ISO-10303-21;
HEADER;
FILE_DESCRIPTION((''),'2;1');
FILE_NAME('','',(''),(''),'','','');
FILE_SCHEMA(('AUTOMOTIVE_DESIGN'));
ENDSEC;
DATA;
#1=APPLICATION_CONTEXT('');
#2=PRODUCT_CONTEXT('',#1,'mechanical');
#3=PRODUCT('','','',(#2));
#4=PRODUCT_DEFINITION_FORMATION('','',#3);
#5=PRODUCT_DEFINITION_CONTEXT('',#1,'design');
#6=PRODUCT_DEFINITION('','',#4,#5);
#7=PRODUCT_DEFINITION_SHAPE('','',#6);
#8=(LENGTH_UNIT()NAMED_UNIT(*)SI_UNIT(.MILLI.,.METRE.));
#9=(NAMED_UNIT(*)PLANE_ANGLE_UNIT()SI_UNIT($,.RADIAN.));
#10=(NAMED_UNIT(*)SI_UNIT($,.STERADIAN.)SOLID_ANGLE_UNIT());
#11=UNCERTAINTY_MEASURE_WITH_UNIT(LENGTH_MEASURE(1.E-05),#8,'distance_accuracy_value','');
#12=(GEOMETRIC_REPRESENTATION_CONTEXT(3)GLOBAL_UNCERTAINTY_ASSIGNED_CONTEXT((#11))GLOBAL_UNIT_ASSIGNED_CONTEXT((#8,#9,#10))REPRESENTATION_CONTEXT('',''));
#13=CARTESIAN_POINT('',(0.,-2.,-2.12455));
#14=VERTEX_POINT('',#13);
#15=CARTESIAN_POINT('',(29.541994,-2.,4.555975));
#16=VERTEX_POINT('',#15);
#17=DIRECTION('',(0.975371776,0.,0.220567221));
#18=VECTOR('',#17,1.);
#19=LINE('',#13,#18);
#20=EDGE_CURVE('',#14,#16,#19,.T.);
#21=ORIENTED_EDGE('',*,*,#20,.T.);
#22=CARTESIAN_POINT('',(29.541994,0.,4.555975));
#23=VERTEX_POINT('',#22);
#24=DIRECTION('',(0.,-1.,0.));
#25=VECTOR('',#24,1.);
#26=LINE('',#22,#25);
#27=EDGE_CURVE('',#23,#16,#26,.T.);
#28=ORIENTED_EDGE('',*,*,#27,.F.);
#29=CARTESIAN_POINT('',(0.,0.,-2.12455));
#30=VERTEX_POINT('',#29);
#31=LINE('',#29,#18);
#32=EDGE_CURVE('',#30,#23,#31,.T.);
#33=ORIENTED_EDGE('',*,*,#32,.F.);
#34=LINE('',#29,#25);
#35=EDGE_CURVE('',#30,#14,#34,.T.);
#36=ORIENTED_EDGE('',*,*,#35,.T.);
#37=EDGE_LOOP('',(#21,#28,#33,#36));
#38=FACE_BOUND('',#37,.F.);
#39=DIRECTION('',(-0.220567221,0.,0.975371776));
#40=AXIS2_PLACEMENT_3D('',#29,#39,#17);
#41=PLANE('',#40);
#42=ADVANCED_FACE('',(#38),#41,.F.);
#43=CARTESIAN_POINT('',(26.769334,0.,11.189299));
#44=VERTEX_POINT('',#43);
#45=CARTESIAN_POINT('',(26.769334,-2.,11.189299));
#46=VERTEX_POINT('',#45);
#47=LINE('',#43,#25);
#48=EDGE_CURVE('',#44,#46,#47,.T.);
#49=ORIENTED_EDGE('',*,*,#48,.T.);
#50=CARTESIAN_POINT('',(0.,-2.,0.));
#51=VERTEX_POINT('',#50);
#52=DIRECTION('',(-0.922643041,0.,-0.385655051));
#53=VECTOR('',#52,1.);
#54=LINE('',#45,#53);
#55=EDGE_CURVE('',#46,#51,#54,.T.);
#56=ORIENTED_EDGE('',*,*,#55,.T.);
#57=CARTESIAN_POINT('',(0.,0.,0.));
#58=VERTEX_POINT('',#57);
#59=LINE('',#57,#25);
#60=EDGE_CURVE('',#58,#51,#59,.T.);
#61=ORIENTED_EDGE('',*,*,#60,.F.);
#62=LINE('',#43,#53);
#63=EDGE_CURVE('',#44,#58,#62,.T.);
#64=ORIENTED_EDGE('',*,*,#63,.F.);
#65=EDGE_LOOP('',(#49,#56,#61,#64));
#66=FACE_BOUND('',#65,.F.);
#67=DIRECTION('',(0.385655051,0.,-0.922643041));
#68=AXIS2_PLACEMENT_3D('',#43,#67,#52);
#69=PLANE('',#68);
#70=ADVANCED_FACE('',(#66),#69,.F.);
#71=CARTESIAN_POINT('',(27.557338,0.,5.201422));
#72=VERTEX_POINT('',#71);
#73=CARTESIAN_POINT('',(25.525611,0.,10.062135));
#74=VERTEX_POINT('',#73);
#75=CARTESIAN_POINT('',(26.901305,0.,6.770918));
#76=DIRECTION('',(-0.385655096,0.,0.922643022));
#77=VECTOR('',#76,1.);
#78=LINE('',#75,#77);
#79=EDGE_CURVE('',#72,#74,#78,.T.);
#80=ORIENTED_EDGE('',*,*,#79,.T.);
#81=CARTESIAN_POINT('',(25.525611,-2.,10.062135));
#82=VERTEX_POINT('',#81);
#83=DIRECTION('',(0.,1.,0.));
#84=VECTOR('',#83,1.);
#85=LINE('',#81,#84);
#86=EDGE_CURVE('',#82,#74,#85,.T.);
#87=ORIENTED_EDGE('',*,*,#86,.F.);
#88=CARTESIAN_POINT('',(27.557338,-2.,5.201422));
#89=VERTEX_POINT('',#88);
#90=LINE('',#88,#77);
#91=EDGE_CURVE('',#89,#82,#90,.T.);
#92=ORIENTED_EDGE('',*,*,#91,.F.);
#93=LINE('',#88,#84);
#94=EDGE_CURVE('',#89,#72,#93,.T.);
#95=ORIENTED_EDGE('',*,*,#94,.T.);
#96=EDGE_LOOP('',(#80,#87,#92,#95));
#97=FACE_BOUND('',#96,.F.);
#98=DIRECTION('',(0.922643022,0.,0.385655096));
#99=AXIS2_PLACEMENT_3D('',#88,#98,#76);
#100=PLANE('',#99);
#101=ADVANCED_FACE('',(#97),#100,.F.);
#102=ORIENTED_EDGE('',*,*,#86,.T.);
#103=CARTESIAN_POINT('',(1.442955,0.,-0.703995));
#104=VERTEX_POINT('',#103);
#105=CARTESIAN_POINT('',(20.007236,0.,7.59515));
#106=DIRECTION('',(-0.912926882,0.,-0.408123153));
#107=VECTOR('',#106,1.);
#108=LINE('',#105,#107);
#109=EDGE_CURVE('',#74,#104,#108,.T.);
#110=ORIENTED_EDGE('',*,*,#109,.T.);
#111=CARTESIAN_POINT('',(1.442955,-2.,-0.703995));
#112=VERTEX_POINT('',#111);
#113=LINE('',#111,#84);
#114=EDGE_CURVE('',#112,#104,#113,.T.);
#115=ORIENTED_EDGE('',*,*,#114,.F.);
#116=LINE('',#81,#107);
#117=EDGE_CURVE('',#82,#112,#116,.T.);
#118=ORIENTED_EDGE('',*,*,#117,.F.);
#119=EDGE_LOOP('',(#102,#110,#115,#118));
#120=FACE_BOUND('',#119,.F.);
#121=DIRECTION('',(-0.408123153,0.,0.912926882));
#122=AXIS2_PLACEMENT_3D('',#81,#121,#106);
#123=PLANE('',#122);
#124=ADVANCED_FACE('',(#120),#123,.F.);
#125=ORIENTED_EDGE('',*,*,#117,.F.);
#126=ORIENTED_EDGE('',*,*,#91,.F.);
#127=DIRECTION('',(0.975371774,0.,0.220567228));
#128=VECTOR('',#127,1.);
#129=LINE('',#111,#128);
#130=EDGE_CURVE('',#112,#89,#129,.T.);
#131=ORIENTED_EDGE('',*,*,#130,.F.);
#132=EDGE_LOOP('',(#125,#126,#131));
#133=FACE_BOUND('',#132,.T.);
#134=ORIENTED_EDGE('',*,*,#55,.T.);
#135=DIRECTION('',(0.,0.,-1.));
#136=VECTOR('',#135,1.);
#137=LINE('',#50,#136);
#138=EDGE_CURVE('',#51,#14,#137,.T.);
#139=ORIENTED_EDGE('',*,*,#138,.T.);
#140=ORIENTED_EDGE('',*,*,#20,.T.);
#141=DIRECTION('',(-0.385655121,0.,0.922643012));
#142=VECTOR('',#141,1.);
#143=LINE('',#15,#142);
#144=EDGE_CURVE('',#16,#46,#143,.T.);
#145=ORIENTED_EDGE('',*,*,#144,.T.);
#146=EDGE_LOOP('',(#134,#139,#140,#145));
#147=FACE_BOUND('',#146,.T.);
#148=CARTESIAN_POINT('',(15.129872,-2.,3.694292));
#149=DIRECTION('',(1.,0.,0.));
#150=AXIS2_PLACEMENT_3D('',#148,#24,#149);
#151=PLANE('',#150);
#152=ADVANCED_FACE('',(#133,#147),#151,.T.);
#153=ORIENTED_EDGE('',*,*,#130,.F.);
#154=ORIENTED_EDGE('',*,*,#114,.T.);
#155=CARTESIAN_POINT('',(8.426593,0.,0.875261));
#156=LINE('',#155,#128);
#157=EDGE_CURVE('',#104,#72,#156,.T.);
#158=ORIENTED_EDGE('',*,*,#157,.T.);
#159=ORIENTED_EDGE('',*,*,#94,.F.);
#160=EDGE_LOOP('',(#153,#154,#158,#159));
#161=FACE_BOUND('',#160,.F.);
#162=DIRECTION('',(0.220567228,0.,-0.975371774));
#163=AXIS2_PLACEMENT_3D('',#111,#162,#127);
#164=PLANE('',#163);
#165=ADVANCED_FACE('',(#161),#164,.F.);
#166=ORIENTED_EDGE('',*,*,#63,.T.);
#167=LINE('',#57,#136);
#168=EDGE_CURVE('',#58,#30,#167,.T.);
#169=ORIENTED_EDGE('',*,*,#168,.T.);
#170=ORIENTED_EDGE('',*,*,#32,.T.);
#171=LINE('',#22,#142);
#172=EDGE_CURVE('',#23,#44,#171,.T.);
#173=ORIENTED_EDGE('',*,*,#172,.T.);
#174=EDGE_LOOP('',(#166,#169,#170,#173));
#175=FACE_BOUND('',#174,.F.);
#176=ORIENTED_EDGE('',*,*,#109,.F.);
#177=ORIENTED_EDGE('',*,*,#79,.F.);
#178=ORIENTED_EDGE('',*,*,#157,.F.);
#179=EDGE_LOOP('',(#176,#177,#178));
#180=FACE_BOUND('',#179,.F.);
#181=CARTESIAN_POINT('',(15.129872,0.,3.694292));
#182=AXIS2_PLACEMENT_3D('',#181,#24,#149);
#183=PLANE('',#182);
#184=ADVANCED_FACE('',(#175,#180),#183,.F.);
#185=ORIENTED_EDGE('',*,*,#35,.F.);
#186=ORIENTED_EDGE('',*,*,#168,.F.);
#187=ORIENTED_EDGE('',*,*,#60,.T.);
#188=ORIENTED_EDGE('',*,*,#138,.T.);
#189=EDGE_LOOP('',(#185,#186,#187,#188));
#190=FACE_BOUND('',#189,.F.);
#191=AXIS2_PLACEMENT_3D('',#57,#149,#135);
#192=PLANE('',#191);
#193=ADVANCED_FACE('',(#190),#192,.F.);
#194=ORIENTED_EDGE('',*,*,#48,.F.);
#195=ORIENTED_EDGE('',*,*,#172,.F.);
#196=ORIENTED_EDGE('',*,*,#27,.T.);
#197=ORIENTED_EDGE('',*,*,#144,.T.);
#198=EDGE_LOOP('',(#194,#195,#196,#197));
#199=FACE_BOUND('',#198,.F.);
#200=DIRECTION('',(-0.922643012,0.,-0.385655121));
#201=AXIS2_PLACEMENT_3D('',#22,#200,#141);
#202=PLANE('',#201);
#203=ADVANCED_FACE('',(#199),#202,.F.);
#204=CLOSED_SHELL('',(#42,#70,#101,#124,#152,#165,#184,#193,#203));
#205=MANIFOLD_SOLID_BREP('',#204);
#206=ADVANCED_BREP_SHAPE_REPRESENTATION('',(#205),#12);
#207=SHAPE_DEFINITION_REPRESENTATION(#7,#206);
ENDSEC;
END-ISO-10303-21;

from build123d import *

# Parameters (mm, degrees)
F1_DEPTH = 2
F3_DEPTH = 2.001


with BuildPart() as f1:
    # F0 (on Front) → F1 (new body)
    with BuildSketch(Plane.XZ):
        Polygon((26.769334, 11.189299), (0, 0), (0, -2.12455), (29.541994, 4.555975), align=None)
    extrude(amount=F1_DEPTH)

    # F2 (on face) → F3 (cut, through all)
    with BuildSketch(Plane.XZ.offset(2)):
        Polygon((27.557338, 5.201422), (25.525611, 10.062135), (1.442955, -0.703995), align=None)
    extrude(amount=-F3_DEPTH, mode=Mode.SUBTRACT)


solid = f1.part
